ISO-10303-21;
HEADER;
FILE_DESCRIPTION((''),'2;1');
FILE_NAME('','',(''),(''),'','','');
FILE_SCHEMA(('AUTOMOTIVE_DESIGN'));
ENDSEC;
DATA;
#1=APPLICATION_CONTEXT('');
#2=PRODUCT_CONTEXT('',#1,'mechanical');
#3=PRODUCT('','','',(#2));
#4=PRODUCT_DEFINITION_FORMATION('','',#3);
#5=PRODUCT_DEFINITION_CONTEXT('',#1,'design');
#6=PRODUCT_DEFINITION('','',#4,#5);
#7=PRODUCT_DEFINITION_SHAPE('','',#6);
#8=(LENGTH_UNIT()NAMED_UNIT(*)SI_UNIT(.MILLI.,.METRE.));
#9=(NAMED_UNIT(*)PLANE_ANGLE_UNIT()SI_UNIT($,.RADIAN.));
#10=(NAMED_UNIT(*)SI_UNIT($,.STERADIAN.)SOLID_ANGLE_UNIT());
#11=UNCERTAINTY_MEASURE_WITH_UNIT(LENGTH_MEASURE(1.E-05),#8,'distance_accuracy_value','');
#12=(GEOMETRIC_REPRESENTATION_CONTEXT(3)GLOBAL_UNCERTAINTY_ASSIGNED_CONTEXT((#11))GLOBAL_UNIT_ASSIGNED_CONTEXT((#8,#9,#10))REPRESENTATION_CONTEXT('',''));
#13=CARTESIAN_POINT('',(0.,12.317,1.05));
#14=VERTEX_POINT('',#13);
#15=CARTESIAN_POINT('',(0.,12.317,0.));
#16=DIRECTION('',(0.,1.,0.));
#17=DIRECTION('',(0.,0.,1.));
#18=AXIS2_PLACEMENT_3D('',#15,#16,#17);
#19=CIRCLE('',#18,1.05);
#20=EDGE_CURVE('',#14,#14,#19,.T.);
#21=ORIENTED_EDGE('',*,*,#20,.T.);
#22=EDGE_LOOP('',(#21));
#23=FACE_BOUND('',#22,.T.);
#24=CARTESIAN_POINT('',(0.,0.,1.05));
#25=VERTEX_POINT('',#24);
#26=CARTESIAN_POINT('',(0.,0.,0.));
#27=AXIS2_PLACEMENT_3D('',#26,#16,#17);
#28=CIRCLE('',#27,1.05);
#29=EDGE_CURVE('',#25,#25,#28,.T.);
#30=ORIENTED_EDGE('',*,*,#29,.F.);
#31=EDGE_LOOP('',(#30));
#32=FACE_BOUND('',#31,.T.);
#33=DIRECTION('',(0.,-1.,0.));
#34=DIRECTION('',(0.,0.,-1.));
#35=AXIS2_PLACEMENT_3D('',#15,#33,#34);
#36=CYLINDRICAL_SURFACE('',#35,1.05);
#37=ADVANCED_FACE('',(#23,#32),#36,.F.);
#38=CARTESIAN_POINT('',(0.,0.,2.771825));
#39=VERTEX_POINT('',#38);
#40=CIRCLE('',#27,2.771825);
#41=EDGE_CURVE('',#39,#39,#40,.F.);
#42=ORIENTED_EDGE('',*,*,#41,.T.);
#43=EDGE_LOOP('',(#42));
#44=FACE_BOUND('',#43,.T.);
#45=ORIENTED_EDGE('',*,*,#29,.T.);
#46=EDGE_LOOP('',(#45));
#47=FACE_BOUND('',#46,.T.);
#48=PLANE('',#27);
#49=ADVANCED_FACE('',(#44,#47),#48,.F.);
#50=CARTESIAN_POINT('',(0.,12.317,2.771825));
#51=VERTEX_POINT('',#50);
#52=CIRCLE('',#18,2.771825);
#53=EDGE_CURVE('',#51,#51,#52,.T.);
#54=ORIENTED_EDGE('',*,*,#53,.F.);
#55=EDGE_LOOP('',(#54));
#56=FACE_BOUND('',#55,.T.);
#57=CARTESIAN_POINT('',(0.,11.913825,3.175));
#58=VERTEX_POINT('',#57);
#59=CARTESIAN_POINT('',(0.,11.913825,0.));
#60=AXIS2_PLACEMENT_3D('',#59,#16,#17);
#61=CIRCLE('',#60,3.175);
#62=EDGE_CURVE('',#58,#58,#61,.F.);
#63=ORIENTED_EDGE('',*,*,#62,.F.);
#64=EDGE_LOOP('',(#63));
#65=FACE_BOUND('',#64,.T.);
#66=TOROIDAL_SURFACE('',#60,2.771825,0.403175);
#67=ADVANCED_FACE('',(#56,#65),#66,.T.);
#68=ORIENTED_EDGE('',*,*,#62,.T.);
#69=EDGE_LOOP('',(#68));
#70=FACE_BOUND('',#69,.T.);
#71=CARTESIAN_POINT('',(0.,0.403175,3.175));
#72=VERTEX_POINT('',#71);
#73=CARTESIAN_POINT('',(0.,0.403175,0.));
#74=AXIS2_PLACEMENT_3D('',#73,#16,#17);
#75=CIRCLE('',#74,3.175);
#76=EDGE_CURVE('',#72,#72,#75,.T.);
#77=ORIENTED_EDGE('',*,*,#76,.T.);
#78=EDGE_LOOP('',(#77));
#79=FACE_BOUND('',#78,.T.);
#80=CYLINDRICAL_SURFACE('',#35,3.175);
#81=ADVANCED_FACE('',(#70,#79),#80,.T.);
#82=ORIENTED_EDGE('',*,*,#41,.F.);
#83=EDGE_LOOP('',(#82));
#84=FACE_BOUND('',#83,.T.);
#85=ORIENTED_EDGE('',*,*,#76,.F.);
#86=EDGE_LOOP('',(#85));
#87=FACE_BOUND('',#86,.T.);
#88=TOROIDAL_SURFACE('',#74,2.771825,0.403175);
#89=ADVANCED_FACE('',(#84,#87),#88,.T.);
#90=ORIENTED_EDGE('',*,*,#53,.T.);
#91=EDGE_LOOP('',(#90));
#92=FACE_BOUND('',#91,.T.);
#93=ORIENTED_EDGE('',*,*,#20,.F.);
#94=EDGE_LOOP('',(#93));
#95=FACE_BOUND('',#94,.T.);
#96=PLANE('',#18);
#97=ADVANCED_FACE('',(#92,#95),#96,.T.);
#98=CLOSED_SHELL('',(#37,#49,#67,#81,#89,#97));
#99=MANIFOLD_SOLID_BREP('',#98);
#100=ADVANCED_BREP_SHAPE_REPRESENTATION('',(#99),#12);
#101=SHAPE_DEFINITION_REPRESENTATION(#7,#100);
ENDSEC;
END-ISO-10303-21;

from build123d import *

# Parameters (mm, degrees)
SKETCH1_R           = 3.175
SKETCH1_R_2         = 1.05
BOSS_EXTRUDE1_DEPTH = 12.317
FILLET1_R           = 0.403174603


with BuildPart() as part:
    # Sketch1 → Boss-Extrude1 (new body)
    with BuildSketch(Plane(origin=(0, 0, 0), x_dir=(1, 0, 0), z_dir=(0, 1, 0))):
        with Locations(Location((0, 0, 0), (0, 0, 270))):
            Circle(SKETCH1_R)
        with Locations(Location((0, 0, 0), (0, 0, 270))):
            Circle(SKETCH1_R_2, mode=Mode.SUBTRACT)
    extrude(amount=BOSS_EXTRUDE1_DEPTH)

    # Fillet1
    fillet1_edges = [part.edges().sort_by_distance(p)[0] for p in [
        (0, 0, -3.175),
        (0, 12.317, -3.175),
    ]]
    fillet(fillet1_edges, radius=FILLET1_R)


solid = part.part
